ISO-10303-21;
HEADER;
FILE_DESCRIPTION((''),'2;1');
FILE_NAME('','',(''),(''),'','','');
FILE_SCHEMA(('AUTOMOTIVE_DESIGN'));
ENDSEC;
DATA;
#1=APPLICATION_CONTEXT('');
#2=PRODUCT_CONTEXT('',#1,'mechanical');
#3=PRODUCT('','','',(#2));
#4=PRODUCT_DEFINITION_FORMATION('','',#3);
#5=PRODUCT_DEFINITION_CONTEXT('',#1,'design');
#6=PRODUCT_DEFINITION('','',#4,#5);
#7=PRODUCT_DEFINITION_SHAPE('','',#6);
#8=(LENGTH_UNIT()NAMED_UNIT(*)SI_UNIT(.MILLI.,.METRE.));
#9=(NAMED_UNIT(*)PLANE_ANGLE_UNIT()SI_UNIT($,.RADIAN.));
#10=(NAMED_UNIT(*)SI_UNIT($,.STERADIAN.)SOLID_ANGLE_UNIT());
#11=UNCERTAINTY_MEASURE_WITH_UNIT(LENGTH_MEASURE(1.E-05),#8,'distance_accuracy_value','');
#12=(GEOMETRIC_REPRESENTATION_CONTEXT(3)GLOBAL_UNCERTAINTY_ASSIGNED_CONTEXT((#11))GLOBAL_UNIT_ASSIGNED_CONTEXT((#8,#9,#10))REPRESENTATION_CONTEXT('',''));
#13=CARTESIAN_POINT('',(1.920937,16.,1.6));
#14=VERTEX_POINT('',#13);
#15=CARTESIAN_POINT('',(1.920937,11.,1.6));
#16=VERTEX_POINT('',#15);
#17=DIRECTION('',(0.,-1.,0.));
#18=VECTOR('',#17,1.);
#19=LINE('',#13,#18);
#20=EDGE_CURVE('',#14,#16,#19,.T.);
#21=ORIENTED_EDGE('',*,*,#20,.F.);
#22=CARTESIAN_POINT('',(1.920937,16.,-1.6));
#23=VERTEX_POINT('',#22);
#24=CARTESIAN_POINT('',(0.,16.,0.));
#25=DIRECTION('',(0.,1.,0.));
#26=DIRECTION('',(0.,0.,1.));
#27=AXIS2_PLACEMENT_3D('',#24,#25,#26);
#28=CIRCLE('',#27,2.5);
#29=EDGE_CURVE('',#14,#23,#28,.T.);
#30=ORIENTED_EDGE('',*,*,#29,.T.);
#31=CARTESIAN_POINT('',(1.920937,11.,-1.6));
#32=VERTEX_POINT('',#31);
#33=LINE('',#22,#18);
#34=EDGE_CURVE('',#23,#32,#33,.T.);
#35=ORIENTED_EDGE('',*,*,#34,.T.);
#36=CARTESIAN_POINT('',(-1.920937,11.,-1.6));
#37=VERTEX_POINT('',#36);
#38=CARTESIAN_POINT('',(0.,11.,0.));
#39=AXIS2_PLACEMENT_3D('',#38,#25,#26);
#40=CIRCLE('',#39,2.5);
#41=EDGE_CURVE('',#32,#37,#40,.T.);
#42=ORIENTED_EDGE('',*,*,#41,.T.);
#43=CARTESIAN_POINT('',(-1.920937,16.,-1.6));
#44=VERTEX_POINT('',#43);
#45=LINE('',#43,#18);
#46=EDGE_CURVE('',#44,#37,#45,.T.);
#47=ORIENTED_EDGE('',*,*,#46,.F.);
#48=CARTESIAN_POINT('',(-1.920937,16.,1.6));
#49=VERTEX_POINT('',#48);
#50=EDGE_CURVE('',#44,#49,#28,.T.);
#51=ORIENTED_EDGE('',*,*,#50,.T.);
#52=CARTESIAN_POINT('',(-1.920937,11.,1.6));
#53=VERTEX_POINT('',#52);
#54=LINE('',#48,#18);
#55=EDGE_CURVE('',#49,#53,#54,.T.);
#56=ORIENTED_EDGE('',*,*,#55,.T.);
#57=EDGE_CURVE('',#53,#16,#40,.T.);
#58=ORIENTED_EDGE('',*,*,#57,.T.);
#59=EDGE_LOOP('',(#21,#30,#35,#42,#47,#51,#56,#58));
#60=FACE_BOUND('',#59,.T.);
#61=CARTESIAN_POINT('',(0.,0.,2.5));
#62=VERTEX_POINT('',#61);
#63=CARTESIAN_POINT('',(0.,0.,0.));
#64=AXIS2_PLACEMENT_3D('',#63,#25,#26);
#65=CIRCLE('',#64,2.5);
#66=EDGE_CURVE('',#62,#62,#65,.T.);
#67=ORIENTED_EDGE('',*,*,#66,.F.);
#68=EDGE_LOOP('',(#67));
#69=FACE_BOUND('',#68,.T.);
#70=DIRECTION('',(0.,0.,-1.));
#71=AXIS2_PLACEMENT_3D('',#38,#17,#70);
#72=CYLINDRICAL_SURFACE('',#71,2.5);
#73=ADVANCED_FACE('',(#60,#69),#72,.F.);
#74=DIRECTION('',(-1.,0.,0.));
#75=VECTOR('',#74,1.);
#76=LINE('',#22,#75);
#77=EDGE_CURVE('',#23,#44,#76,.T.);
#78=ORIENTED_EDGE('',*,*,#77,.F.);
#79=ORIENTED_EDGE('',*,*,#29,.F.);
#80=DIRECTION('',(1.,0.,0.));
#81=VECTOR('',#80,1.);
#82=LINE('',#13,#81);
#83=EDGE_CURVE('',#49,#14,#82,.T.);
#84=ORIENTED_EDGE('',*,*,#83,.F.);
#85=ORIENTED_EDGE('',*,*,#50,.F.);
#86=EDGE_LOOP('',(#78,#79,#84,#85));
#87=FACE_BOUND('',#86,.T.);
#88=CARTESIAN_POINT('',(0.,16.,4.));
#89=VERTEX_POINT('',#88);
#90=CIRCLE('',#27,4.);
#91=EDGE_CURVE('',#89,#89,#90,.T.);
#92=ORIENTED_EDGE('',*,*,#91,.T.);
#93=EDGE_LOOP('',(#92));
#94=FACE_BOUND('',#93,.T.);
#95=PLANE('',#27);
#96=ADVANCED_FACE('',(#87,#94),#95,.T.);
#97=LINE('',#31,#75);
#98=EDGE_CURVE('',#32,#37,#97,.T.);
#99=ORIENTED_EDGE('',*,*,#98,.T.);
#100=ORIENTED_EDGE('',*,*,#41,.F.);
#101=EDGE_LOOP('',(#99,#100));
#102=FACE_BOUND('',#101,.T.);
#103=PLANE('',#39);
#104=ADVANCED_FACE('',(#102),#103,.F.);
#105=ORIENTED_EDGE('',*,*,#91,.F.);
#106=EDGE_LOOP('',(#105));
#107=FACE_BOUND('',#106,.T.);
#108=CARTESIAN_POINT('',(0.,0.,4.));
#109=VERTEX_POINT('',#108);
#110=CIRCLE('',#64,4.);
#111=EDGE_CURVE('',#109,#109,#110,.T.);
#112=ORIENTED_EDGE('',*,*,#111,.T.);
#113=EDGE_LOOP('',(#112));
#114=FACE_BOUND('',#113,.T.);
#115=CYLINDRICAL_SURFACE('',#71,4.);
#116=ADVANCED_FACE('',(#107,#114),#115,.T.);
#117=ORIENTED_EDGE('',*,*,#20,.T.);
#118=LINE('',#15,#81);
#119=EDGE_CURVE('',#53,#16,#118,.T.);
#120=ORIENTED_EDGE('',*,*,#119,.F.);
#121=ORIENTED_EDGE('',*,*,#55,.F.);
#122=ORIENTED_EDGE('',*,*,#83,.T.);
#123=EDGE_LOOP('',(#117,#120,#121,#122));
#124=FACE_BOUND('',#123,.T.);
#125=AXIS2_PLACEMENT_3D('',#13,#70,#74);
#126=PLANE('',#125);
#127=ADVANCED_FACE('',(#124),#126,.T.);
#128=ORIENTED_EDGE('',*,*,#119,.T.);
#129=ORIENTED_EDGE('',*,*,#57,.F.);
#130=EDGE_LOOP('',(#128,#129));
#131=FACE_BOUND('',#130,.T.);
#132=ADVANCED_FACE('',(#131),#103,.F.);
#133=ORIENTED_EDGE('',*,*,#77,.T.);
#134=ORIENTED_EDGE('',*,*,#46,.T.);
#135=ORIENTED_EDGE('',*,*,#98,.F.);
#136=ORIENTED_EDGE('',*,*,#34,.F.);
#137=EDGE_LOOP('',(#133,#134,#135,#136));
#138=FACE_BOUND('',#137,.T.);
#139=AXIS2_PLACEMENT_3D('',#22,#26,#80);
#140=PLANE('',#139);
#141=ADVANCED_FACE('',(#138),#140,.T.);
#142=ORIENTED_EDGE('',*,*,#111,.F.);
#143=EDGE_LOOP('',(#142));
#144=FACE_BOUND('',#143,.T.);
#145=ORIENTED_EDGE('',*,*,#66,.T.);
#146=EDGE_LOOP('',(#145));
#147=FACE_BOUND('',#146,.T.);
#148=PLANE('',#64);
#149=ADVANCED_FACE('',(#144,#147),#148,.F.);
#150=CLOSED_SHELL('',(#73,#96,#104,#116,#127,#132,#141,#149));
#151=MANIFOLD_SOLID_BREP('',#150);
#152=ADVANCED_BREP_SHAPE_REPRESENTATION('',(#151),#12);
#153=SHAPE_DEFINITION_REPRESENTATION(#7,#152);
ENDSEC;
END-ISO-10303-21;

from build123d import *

# Parameters (mm, degrees)
SKETCH1_R           = 4
SKETCH1_R_2         = 2.5
BOSS_EXTRUDE1_DEPTH = 11
SKETCH2_R           = 4
BOSS_EXTRUDE2_DEPTH = 5


with BuildPart() as part:
    # Sketch1 → Boss-Extrude1 (new body)
    with BuildSketch(Plane(origin=(0, 0, 0), x_dir=(1, 0, 0), z_dir=(0, 1, 0))):
        with Locations(Location((0, 0, 0), (0, 0, 270))):
            Circle(SKETCH1_R)
        with Locations(Location((0, 0, 0), (0, 0, 270))):
            Circle(SKETCH1_R_2, mode=Mode.SUBTRACT)
    extrude(amount=BOSS_EXTRUDE1_DEPTH)

    # Sketch2 → Boss-Extrude2 (add)
    with BuildSketch(Plane(origin=(0, 11, 0), x_dir=(1, 0, 0), z_dir=(0, 1, 0))):
        with Locations(Location((0, 0, 0), (0, 0, 270))):
            Circle(SKETCH2_R)
        with BuildLine():
            Line((1.920937271, 1.6), (-1.920937271, 1.6))
            ThreePointArc((-1.920937271, 1.6), (-2.5, 0), (-1.920937271, -1.6))
            Line((-1.920937271, -1.6), (1.920937271, -1.6))
            ThreePointArc((1.920937271, -1.6), (2.5, 0), (1.920937271, 1.6))
        make_face(mode=Mode.SUBTRACT)
    extrude(amount=BOSS_EXTRUDE2_DEPTH)


solid = part.part
